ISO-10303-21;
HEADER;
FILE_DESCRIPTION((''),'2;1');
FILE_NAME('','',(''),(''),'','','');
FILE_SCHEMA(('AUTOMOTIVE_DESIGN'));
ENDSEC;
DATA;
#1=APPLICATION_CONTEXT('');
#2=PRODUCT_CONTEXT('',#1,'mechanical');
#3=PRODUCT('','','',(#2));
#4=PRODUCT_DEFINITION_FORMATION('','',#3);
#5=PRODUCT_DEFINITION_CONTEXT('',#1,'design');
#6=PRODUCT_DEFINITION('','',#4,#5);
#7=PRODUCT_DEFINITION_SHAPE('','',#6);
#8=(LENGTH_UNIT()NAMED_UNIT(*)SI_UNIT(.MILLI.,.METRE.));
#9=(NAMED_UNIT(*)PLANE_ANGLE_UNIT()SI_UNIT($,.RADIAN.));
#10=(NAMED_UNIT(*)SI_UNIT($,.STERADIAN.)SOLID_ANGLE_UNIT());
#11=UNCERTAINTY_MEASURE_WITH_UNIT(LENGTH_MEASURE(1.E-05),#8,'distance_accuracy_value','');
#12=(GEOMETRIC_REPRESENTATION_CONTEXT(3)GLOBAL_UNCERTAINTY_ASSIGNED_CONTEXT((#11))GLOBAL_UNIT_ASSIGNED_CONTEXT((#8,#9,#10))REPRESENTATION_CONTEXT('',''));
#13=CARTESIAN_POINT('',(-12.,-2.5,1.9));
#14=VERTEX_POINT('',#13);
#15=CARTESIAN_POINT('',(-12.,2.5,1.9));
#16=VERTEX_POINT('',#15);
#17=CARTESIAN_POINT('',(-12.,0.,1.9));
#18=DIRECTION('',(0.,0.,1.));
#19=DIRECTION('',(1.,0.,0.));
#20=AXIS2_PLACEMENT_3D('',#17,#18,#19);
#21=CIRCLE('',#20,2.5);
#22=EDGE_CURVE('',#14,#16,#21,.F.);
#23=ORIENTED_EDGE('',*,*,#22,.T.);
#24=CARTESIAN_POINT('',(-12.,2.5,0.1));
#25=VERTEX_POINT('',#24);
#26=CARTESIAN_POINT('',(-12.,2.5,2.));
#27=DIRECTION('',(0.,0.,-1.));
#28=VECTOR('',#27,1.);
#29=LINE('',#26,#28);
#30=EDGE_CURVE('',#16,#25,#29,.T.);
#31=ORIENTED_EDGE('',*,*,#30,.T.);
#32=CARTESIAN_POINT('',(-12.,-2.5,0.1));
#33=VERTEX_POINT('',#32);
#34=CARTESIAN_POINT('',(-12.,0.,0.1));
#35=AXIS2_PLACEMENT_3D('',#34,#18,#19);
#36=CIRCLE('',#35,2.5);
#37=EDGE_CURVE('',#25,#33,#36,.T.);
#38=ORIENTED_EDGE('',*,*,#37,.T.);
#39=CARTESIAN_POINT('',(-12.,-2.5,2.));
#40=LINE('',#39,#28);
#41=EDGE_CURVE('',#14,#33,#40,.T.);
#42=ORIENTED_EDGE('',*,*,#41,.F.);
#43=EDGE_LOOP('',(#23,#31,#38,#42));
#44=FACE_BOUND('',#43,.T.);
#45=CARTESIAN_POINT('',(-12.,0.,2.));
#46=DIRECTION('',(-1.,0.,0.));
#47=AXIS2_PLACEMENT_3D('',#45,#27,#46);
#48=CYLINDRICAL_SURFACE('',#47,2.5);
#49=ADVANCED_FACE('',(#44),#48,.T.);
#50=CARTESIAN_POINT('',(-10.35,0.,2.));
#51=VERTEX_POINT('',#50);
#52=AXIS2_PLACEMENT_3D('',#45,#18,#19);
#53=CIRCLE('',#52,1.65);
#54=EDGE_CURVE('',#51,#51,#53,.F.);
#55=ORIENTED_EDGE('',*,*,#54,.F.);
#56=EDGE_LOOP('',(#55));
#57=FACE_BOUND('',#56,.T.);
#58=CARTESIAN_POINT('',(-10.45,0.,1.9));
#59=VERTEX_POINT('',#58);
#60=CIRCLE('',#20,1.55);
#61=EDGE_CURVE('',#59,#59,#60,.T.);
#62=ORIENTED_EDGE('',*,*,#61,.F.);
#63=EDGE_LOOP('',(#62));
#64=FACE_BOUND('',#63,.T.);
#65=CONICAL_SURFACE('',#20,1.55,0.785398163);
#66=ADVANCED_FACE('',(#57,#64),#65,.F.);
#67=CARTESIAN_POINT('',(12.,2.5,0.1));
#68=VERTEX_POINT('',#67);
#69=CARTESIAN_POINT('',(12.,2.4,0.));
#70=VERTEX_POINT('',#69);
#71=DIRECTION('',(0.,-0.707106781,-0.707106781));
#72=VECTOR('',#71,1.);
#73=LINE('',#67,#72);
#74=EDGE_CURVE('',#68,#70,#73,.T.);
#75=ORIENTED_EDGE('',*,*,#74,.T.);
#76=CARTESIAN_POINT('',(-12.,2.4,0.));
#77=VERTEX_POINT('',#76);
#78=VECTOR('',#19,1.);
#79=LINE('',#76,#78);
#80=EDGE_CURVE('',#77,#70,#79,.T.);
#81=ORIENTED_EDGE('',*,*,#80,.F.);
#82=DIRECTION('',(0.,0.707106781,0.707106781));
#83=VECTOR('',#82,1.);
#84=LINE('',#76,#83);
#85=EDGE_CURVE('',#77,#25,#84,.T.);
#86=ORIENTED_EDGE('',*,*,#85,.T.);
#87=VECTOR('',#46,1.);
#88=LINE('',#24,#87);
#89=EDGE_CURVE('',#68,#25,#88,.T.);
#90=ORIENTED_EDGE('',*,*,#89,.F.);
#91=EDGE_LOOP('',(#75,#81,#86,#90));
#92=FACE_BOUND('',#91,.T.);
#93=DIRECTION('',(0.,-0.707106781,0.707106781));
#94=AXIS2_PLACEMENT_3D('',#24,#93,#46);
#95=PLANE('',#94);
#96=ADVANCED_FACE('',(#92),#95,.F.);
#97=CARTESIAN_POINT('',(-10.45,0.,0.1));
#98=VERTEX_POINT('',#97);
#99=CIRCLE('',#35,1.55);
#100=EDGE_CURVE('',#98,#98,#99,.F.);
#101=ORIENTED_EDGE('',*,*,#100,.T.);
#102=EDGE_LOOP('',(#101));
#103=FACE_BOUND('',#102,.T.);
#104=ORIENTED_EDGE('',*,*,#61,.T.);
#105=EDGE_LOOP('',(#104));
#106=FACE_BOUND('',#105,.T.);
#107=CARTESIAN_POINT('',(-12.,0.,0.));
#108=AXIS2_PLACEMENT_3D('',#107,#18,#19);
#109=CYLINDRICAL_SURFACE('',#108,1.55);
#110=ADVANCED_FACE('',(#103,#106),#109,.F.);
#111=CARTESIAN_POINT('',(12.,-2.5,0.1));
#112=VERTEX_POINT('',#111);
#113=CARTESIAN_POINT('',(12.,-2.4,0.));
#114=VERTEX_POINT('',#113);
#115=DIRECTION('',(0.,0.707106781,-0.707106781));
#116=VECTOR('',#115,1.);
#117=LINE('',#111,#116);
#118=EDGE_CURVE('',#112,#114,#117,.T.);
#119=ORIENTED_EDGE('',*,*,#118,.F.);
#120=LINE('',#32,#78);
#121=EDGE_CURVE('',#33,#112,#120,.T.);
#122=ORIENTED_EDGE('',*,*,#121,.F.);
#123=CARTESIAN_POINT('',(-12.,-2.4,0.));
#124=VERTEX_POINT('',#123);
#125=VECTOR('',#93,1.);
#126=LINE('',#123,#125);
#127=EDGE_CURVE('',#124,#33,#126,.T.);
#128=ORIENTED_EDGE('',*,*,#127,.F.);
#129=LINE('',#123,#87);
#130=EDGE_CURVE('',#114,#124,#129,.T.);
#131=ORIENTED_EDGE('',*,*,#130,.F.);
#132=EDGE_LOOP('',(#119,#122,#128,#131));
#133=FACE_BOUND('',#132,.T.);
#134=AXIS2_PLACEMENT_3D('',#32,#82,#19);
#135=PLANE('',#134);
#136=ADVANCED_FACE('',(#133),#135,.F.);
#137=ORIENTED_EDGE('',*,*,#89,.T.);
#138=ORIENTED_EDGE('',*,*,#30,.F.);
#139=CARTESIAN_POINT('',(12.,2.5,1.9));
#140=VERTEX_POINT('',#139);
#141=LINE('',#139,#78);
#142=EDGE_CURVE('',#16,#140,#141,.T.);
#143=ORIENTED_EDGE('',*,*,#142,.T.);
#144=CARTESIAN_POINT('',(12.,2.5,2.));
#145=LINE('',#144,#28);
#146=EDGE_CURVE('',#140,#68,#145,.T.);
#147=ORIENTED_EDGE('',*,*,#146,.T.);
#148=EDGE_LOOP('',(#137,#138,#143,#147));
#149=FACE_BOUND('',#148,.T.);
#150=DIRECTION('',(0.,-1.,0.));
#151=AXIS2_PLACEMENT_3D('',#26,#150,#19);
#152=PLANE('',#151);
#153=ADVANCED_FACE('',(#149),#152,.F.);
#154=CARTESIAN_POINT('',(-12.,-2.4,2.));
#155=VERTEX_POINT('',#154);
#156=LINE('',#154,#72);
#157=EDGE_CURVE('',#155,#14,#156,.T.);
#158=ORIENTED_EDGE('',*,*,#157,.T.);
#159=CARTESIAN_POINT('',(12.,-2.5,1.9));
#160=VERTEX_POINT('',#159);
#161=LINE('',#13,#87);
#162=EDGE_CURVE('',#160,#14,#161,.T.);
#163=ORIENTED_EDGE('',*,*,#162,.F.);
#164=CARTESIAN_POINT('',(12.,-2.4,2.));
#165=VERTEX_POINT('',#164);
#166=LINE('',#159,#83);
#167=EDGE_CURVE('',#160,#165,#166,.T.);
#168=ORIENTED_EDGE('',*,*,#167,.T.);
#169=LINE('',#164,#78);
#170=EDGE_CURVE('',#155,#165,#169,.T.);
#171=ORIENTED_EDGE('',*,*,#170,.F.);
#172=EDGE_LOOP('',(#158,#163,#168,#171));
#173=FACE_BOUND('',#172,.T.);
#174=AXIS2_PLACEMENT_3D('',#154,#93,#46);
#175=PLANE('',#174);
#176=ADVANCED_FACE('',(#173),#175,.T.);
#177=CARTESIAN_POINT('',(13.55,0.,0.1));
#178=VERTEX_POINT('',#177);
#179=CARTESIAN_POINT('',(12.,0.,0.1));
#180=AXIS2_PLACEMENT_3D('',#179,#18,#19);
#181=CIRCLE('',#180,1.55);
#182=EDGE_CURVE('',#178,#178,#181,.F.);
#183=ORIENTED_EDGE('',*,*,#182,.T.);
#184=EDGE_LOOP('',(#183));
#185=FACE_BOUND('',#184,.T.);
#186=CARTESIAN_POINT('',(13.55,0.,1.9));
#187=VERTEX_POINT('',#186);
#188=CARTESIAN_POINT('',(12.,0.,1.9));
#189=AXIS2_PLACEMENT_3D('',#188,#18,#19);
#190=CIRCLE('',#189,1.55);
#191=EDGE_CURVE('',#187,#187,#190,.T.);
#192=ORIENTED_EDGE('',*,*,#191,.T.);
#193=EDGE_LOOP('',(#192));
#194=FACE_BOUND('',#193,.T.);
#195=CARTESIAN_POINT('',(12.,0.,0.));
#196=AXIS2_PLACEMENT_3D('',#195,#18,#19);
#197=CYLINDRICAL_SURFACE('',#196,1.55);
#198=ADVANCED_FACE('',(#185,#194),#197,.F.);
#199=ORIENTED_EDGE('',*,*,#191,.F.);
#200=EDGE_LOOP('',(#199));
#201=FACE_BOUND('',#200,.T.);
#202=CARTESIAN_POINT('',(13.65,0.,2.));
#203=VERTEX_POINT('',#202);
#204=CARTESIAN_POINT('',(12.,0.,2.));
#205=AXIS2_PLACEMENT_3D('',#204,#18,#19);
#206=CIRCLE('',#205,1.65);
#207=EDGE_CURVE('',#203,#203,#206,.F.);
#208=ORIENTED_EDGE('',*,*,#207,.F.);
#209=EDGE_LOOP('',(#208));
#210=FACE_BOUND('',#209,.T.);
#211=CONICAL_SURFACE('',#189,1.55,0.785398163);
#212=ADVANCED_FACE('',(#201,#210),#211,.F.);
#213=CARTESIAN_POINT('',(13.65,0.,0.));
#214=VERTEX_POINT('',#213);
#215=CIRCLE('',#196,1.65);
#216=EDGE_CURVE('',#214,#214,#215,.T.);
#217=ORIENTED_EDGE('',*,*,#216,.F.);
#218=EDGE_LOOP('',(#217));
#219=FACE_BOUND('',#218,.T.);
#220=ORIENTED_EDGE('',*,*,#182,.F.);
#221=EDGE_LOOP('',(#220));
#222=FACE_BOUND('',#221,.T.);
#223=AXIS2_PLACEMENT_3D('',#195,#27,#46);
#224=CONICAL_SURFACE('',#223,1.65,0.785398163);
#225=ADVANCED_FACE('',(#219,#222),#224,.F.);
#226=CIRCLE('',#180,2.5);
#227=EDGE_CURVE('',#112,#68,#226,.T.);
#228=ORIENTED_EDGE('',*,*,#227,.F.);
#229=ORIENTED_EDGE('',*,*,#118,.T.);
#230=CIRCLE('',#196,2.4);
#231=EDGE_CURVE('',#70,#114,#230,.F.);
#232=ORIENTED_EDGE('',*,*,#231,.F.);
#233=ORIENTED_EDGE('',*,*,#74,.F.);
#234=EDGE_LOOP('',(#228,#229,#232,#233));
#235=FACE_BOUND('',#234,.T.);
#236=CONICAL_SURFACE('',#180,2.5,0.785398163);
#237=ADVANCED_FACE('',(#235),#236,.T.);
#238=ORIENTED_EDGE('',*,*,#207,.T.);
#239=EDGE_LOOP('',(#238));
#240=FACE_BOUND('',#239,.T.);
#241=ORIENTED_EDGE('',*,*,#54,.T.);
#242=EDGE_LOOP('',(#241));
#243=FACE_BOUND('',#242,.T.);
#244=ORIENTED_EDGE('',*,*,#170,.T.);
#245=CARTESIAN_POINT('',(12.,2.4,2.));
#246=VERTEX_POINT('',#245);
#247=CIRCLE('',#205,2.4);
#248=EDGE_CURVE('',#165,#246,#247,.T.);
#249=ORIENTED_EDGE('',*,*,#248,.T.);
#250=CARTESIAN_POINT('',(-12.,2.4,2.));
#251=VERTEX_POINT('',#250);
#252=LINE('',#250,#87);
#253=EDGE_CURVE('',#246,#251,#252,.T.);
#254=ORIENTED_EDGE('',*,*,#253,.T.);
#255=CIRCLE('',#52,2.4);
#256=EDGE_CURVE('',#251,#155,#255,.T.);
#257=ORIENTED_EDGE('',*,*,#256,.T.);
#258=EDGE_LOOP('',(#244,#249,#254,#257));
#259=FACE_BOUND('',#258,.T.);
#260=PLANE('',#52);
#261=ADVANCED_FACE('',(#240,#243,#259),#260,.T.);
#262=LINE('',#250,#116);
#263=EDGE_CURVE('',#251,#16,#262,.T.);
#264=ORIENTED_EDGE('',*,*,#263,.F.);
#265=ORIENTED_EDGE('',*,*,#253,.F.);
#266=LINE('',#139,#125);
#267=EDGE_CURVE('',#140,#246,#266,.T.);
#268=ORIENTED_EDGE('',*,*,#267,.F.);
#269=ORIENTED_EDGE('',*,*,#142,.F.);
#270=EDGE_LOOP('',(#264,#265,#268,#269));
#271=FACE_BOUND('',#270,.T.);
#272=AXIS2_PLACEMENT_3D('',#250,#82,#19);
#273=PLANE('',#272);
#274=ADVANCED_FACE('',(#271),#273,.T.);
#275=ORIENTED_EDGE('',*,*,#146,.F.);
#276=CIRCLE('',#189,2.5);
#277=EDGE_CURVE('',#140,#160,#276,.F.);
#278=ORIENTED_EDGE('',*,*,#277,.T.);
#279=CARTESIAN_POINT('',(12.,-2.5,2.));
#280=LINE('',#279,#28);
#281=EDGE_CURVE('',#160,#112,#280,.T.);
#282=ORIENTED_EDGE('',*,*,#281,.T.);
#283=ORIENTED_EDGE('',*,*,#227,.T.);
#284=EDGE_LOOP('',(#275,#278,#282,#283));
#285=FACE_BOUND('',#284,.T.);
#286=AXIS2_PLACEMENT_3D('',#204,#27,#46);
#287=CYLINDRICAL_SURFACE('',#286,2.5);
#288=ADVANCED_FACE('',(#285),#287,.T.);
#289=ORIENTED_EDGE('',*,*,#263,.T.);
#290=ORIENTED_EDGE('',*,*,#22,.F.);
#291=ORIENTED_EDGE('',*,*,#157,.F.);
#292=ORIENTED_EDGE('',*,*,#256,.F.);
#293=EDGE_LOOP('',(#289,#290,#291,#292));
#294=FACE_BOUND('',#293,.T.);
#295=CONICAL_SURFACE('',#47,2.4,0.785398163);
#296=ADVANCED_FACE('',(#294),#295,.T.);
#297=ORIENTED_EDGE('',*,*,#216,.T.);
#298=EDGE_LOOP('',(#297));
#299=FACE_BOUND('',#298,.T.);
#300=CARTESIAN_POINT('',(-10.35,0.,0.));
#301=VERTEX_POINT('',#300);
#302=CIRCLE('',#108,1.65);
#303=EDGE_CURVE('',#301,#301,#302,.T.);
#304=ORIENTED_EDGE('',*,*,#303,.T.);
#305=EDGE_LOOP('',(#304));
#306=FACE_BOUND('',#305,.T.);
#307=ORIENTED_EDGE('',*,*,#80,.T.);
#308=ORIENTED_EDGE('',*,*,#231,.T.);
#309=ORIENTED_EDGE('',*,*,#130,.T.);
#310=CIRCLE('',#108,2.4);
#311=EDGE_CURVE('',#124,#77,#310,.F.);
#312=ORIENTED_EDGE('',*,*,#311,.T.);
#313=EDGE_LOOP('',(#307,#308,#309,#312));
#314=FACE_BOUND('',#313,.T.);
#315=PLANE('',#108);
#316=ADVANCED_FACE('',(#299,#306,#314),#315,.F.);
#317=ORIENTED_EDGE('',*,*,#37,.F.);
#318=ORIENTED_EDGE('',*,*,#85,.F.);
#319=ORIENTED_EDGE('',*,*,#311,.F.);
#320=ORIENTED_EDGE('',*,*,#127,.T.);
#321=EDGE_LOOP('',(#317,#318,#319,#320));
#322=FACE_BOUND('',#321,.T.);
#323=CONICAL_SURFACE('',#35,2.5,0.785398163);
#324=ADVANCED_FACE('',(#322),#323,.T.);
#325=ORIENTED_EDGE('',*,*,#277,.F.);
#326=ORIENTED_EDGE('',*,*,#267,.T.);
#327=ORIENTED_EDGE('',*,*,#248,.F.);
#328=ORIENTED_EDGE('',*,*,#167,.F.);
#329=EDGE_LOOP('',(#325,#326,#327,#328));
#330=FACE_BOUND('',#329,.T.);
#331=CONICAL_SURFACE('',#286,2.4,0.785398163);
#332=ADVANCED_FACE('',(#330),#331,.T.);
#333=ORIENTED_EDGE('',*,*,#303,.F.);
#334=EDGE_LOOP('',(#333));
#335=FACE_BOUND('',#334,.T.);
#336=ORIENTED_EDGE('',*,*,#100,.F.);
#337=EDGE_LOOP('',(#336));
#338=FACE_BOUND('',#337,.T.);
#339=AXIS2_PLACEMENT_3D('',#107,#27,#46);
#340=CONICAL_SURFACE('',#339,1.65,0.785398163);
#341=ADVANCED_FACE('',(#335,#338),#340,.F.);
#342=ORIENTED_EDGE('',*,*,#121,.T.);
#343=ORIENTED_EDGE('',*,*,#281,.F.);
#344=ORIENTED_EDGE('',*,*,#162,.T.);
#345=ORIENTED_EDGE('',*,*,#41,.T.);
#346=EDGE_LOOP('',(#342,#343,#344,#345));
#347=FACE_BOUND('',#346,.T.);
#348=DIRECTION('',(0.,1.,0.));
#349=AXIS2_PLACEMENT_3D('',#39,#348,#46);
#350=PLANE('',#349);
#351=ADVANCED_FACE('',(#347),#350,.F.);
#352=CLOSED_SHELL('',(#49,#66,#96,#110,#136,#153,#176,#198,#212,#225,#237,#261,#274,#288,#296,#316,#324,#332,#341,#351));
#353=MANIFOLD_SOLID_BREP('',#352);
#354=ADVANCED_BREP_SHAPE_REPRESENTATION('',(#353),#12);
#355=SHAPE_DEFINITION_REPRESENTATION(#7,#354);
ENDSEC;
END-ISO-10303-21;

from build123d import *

# Parameters (mm, degrees)
BOSS_EXTRUDE1_DEPTH = 2
SKETCH2_R           = 1.55
CUT_EXTRUDE1_DEPTH  = 2
CHAMFER1_SIZE       = 0.1


with BuildPart() as part:
    # Sketch1 → Boss-Extrude1 (new body)
    with BuildSketch(Plane.XY):
        with BuildLine():
            Line((-12, 2.5), (12, 2.5))
            ThreePointArc((12, 2.5), (14.5, 0), (12, -2.5))
            Line((12, -2.5), (-12, -2.5))
            ThreePointArc((-12, -2.5), (-14.5, 0), (-12, 2.5))
        make_face()
    extrude(amount=BOSS_EXTRUDE1_DEPTH)

    # Sketch2 → Cut-Extrude1 (cut)
    with BuildSketch(Plane.XY.offset(2)):
        with Locations((-12, 0)):
            Circle(SKETCH2_R)
        with Locations((12, 0)):
            Circle(SKETCH2_R)
    extrude(amount=-CUT_EXTRUDE1_DEPTH, mode=Mode.SUBTRACT)

    # Chamfer1
    chamfer1_edges = [part.edges().sort_by_distance(p)[0] for p in [
        (14.5, 0, 2),
        (0, 2.5, 2),
        (-13.55, 0, 0),
        (-13.55, 0, 2),
        (10.45, 0, 0),
        (10.45, 0, 2),
        (-14.5, 0, 2),
        (0, 2.5, 0),
        (14.5, 0, 0),
        (0, -2.5, 0),
        (-14.5, 0, 0),
        (0, -2.5, 2),
    ]]
    chamfer(chamfer1_edges, length=CHAMFER1_SIZE)


solid = part.part
